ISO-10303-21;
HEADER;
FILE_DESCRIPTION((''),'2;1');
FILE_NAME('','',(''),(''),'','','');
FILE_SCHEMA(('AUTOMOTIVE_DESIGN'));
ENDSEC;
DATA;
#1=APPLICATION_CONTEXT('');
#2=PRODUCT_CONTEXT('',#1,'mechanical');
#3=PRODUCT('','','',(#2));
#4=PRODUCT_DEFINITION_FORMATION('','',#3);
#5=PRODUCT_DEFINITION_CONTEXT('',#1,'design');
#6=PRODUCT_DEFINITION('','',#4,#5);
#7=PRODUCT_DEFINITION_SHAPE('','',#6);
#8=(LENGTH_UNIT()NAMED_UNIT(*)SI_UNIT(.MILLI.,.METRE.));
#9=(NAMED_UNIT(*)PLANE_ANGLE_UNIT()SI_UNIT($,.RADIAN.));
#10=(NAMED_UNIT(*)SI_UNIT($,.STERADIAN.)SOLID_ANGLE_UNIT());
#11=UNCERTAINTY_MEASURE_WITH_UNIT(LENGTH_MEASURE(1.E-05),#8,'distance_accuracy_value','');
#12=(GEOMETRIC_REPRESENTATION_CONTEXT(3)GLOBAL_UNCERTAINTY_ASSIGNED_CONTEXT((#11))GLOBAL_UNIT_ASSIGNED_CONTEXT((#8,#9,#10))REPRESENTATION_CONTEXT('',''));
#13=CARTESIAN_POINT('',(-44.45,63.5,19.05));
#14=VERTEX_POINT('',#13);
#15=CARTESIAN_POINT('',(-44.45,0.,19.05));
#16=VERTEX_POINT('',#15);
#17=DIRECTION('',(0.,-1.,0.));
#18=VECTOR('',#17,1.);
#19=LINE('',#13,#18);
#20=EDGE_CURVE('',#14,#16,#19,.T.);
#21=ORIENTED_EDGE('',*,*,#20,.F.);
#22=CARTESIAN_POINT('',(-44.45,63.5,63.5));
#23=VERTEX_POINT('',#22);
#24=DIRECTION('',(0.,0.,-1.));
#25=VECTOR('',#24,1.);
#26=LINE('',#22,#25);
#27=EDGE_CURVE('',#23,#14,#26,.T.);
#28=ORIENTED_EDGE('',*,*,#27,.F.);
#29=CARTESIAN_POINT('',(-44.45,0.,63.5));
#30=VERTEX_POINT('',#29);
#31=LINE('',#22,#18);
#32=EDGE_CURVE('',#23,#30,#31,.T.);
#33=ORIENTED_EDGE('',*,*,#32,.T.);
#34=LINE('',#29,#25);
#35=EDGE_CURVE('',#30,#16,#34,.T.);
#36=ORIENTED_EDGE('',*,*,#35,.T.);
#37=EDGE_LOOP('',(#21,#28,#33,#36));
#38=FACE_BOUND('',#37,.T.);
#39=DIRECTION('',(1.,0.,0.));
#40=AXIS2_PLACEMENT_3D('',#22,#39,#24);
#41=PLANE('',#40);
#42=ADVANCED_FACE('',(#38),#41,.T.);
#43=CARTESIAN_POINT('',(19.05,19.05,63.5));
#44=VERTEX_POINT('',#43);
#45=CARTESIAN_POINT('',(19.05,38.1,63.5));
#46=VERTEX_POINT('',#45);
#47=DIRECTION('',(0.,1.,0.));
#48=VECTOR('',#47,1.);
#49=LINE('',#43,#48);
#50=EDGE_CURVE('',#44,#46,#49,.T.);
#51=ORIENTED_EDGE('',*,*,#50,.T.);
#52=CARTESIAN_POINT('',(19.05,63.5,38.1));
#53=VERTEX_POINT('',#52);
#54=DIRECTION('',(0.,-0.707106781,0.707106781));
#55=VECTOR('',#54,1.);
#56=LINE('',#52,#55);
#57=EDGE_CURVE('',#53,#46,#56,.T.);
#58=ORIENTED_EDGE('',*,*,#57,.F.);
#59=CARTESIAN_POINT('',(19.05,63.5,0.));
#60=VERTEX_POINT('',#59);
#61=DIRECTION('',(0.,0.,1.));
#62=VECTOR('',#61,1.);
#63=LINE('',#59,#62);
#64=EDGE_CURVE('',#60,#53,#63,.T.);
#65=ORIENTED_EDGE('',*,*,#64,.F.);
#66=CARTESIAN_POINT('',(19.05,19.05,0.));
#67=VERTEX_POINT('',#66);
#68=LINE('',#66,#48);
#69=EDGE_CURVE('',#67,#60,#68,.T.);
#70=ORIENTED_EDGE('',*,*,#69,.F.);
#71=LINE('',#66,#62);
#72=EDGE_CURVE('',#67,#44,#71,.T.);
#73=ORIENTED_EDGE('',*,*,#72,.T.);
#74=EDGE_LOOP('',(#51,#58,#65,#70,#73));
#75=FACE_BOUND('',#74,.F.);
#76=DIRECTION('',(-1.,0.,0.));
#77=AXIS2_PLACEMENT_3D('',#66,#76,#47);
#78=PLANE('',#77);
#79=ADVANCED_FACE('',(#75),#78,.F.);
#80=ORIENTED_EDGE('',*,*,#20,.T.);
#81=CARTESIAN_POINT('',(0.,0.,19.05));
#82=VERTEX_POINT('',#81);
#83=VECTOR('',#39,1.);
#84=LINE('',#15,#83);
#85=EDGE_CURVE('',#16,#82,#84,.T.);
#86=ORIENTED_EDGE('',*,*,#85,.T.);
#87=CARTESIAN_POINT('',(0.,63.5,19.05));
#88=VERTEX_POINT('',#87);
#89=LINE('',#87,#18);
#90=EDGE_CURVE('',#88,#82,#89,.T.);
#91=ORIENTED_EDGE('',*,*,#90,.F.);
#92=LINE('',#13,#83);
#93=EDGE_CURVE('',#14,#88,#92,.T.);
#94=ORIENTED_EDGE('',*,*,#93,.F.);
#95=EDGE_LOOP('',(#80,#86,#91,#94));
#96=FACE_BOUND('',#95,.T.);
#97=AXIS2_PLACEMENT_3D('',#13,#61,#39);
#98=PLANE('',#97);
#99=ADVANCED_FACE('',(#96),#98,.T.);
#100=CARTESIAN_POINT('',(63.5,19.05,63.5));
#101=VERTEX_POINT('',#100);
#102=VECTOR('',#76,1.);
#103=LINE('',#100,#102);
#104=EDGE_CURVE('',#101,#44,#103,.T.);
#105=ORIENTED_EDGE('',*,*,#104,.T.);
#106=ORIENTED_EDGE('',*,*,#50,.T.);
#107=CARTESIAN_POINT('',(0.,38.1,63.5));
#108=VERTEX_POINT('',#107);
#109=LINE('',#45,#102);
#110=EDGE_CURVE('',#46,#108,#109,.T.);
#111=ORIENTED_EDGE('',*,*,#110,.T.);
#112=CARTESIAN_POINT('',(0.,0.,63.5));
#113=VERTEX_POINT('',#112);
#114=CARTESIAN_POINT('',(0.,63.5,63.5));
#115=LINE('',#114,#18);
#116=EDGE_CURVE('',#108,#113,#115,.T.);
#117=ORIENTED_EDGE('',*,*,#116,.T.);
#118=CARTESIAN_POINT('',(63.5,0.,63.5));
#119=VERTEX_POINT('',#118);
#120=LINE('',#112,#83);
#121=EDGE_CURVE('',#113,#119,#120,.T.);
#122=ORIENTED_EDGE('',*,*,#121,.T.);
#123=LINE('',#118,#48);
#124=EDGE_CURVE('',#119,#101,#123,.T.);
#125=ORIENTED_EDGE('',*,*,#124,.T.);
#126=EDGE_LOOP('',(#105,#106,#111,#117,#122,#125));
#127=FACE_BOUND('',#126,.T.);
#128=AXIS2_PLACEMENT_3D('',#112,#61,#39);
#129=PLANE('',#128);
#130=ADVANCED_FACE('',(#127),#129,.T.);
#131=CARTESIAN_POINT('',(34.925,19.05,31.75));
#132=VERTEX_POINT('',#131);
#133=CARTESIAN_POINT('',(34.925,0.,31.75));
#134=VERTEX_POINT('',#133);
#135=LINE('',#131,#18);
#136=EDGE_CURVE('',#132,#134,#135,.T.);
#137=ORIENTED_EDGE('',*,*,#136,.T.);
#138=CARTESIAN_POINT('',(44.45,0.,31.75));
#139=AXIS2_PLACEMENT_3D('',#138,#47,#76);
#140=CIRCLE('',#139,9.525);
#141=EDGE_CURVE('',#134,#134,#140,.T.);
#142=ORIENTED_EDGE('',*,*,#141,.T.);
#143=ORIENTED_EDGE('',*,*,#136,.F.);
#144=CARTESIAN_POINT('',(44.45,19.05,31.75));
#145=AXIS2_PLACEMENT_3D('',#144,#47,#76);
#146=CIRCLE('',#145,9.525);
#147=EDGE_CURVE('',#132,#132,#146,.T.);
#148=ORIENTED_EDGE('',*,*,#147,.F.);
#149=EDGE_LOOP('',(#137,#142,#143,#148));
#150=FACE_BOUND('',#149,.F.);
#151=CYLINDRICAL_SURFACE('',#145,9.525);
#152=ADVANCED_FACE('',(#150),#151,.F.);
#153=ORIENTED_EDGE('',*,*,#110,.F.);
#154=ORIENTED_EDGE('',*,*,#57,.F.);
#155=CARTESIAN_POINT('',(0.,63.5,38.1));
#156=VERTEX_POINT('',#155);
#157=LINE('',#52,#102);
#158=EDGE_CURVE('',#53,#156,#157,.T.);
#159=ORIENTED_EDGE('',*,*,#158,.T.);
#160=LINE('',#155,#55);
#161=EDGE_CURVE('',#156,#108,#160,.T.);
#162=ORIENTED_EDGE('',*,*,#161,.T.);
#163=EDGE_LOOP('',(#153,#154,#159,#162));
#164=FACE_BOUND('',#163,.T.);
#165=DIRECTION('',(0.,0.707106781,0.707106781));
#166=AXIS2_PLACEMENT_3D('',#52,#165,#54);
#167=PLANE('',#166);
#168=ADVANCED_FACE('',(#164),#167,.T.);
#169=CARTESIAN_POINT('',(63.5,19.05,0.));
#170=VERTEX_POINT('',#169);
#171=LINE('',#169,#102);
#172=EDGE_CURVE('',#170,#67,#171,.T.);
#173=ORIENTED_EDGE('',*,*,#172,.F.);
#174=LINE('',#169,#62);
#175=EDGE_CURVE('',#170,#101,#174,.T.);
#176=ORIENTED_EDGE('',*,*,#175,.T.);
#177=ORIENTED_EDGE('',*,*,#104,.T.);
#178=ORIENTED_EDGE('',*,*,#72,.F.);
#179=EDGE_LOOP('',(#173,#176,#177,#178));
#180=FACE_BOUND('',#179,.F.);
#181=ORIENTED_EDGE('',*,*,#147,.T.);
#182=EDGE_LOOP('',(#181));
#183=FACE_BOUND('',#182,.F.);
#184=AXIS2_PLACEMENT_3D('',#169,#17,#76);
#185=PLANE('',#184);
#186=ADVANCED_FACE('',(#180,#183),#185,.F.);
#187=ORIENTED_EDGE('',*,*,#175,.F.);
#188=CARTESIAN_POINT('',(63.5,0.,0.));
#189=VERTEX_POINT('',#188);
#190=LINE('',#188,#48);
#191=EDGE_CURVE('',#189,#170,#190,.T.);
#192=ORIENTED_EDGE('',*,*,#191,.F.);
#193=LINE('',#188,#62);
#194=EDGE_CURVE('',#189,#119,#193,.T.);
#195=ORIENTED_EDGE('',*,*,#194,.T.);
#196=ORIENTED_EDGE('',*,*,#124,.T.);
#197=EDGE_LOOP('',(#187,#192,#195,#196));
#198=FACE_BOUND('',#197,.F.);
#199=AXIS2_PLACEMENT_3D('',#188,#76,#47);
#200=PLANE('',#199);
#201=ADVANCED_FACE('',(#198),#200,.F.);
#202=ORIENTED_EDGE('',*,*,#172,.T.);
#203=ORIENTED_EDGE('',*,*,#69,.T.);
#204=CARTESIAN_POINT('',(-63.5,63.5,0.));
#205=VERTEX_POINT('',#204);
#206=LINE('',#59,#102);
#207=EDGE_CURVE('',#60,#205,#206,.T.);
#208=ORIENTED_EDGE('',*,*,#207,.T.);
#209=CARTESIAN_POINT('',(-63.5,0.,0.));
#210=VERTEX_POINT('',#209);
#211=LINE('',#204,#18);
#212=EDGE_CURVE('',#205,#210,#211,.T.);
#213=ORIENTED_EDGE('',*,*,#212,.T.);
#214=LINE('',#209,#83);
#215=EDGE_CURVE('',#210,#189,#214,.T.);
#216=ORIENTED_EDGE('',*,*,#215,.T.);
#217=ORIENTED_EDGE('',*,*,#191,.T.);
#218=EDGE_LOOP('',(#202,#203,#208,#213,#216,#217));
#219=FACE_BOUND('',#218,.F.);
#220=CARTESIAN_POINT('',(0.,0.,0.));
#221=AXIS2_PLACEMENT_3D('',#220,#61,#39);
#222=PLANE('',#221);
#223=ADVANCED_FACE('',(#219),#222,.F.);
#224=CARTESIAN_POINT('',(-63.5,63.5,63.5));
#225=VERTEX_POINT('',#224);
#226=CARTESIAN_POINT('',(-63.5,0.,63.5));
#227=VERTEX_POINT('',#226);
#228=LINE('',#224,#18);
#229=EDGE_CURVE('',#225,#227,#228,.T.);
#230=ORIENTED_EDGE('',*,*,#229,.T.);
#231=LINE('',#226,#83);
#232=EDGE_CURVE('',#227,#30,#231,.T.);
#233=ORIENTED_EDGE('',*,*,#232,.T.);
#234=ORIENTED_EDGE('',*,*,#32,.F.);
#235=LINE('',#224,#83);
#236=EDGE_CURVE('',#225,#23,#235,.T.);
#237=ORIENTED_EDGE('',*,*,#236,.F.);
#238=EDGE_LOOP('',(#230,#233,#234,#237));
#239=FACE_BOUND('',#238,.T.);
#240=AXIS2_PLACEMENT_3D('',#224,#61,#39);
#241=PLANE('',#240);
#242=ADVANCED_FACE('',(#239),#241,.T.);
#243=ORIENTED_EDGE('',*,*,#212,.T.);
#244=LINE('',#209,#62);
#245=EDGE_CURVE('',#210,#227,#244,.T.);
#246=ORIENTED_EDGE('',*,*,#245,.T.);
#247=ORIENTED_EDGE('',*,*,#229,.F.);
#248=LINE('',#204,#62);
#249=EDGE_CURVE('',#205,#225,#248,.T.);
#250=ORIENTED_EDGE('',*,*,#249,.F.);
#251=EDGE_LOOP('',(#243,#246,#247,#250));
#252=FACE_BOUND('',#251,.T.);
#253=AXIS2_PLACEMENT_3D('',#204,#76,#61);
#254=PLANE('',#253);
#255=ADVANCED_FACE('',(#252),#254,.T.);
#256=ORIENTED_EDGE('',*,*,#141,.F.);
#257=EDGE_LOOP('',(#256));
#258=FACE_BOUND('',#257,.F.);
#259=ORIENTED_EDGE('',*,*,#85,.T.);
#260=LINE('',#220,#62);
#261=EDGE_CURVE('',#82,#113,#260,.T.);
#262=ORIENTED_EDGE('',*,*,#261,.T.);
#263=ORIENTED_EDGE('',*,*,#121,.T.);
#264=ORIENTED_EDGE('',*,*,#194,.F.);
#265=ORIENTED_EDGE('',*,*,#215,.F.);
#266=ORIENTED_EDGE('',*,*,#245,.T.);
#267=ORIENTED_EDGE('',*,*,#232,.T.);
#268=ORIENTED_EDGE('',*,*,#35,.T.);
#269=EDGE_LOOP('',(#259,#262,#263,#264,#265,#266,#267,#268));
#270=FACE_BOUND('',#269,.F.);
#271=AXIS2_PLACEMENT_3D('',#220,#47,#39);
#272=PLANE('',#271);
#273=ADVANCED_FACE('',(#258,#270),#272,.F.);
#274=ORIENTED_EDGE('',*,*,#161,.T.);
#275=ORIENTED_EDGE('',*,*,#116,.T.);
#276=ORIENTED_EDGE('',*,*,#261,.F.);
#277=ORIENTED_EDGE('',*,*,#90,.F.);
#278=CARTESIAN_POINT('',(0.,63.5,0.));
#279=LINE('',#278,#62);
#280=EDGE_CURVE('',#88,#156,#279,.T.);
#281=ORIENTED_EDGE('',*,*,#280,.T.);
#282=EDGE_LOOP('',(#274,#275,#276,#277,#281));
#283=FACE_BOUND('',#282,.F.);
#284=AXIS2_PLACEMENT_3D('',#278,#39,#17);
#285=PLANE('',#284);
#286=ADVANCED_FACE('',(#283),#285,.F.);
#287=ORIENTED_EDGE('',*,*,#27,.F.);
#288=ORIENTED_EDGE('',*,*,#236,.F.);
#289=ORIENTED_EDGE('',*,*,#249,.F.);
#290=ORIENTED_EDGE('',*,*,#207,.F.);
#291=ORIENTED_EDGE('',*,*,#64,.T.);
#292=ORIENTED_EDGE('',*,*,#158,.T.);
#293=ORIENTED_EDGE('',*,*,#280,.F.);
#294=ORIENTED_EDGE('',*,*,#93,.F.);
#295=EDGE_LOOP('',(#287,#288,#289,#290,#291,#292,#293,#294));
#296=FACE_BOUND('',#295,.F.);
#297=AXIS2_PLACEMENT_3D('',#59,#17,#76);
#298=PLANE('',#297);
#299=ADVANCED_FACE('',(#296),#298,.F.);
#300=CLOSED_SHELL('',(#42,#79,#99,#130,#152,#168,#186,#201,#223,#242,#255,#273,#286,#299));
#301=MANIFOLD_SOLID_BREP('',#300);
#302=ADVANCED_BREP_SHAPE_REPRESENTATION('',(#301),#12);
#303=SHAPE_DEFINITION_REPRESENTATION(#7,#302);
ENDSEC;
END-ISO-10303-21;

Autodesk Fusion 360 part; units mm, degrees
sketch "Sketch1" plane through (0, 0, 0) normal (0, 0, 1) x (1, 0, 0) in component "Component"
  line L0 (0, 0) -> (63.5, 0)
  line L1 (63.5, 0) -> (63.5, 19.05)
  line L2 (63.5, 19.05) -> (19.05, 19.05)
  line L3 (19.05, 19.05) -> (19.05, 63.5)
  line L4 (19.05, 63.5) -> (0, 63.5)
  line L5 (0, 63.5) -> (0, 0)
  dimension "d1" = 63.5
  dimension "d2" = 63.5
  dimension "d3" = 19.05
  dimension "d4" = 19.05
extrude "Extrude1" add sketch "Sketch1" along normal blind 63.5 in component "Component"
sketch "Sketch2" plane through (0, 63.5, 0) normal (0, 1, 0) x (-1, 0, 0) in component "Component"
  line L0 (-19.05, 0) -> (0, 0)
  line L1 (0, 0) -> (0, 63.5)
  line L2 (0, 63.5) -> (-19.05, 63.5)
  line L3 (-19.05, 63.5) -> (-19.05, 0)
  line L4 (0, 0) -> (63.5, 0)
  line L5 (63.5, 0) -> (63.5, 63.5)
  line L6 (63.5, 63.5) -> (44.45, 63.5)
  line L7 (44.45, 63.5) -> (44.45, 19.05)
  line L8 (44.45, 19.05) -> (0, 19.05)
  line L9 (0, 19.05) -> (0, 0)
  dimension "d7" = 63.5
  dimension "d8" = 63.5
  dimension "d9" = 19.05
  dimension "d10" = 19.05
extrude "Extrude2" add sketch "Sketch2" against normal blind 63.5 contours L1 L4 L5 L6 L7 L8 L9 in component "Component"
sketch "Sketch3" plane through (0, 19.05, 0) normal (0, 1, 0) x (-1, 0, 0) in component "Component"
  line L0 (-63.5, 0) -> (-19.05, 0)
  line L1 (-19.05, 0) -> (-19.05, 63.5)
  line L2 (-19.05, 63.5) -> (-63.5, 63.5)
  line L3 (-63.5, 63.5) -> (-63.5, 0)
  circle A0 centre (-44.45, 31.75) radius 9.525
  dimension "d13" = 19.05
  dimension "d14" = 31.75
  dimension "d15" = 19.05
extrude "Extrude3" cut sketch "Sketch3" against normal through all contours A0 in component "Component"
sketch "Sketch4" plane through (19.05, 0, 0) normal (1, 0, 0) x (0, 1, 0) in component "Component"
  line L0 (19.05, 0) -> (63.5, 0)
  line L1 (63.5, 0) -> (63.5, 63.5)
  line L2 (63.5, 63.5) -> (19.05, 63.5)
  line L3 (19.05, 63.5) -> (19.05, 0)
  line L4 (63.5, 38.1) -> (38.1, 63.5)
  dimension "d17" = 25.4
  dimension "d18" = 45
extrude "Extrude4" cut sketch "Sketch4" against normal up to surface (19.05 mm away) contours L1 L2 L4 in component "Component"
component "Component" placed x (1, 0, 0) y (0, 1, 0) z (0, 0, 1) at (0, 0, 0)
